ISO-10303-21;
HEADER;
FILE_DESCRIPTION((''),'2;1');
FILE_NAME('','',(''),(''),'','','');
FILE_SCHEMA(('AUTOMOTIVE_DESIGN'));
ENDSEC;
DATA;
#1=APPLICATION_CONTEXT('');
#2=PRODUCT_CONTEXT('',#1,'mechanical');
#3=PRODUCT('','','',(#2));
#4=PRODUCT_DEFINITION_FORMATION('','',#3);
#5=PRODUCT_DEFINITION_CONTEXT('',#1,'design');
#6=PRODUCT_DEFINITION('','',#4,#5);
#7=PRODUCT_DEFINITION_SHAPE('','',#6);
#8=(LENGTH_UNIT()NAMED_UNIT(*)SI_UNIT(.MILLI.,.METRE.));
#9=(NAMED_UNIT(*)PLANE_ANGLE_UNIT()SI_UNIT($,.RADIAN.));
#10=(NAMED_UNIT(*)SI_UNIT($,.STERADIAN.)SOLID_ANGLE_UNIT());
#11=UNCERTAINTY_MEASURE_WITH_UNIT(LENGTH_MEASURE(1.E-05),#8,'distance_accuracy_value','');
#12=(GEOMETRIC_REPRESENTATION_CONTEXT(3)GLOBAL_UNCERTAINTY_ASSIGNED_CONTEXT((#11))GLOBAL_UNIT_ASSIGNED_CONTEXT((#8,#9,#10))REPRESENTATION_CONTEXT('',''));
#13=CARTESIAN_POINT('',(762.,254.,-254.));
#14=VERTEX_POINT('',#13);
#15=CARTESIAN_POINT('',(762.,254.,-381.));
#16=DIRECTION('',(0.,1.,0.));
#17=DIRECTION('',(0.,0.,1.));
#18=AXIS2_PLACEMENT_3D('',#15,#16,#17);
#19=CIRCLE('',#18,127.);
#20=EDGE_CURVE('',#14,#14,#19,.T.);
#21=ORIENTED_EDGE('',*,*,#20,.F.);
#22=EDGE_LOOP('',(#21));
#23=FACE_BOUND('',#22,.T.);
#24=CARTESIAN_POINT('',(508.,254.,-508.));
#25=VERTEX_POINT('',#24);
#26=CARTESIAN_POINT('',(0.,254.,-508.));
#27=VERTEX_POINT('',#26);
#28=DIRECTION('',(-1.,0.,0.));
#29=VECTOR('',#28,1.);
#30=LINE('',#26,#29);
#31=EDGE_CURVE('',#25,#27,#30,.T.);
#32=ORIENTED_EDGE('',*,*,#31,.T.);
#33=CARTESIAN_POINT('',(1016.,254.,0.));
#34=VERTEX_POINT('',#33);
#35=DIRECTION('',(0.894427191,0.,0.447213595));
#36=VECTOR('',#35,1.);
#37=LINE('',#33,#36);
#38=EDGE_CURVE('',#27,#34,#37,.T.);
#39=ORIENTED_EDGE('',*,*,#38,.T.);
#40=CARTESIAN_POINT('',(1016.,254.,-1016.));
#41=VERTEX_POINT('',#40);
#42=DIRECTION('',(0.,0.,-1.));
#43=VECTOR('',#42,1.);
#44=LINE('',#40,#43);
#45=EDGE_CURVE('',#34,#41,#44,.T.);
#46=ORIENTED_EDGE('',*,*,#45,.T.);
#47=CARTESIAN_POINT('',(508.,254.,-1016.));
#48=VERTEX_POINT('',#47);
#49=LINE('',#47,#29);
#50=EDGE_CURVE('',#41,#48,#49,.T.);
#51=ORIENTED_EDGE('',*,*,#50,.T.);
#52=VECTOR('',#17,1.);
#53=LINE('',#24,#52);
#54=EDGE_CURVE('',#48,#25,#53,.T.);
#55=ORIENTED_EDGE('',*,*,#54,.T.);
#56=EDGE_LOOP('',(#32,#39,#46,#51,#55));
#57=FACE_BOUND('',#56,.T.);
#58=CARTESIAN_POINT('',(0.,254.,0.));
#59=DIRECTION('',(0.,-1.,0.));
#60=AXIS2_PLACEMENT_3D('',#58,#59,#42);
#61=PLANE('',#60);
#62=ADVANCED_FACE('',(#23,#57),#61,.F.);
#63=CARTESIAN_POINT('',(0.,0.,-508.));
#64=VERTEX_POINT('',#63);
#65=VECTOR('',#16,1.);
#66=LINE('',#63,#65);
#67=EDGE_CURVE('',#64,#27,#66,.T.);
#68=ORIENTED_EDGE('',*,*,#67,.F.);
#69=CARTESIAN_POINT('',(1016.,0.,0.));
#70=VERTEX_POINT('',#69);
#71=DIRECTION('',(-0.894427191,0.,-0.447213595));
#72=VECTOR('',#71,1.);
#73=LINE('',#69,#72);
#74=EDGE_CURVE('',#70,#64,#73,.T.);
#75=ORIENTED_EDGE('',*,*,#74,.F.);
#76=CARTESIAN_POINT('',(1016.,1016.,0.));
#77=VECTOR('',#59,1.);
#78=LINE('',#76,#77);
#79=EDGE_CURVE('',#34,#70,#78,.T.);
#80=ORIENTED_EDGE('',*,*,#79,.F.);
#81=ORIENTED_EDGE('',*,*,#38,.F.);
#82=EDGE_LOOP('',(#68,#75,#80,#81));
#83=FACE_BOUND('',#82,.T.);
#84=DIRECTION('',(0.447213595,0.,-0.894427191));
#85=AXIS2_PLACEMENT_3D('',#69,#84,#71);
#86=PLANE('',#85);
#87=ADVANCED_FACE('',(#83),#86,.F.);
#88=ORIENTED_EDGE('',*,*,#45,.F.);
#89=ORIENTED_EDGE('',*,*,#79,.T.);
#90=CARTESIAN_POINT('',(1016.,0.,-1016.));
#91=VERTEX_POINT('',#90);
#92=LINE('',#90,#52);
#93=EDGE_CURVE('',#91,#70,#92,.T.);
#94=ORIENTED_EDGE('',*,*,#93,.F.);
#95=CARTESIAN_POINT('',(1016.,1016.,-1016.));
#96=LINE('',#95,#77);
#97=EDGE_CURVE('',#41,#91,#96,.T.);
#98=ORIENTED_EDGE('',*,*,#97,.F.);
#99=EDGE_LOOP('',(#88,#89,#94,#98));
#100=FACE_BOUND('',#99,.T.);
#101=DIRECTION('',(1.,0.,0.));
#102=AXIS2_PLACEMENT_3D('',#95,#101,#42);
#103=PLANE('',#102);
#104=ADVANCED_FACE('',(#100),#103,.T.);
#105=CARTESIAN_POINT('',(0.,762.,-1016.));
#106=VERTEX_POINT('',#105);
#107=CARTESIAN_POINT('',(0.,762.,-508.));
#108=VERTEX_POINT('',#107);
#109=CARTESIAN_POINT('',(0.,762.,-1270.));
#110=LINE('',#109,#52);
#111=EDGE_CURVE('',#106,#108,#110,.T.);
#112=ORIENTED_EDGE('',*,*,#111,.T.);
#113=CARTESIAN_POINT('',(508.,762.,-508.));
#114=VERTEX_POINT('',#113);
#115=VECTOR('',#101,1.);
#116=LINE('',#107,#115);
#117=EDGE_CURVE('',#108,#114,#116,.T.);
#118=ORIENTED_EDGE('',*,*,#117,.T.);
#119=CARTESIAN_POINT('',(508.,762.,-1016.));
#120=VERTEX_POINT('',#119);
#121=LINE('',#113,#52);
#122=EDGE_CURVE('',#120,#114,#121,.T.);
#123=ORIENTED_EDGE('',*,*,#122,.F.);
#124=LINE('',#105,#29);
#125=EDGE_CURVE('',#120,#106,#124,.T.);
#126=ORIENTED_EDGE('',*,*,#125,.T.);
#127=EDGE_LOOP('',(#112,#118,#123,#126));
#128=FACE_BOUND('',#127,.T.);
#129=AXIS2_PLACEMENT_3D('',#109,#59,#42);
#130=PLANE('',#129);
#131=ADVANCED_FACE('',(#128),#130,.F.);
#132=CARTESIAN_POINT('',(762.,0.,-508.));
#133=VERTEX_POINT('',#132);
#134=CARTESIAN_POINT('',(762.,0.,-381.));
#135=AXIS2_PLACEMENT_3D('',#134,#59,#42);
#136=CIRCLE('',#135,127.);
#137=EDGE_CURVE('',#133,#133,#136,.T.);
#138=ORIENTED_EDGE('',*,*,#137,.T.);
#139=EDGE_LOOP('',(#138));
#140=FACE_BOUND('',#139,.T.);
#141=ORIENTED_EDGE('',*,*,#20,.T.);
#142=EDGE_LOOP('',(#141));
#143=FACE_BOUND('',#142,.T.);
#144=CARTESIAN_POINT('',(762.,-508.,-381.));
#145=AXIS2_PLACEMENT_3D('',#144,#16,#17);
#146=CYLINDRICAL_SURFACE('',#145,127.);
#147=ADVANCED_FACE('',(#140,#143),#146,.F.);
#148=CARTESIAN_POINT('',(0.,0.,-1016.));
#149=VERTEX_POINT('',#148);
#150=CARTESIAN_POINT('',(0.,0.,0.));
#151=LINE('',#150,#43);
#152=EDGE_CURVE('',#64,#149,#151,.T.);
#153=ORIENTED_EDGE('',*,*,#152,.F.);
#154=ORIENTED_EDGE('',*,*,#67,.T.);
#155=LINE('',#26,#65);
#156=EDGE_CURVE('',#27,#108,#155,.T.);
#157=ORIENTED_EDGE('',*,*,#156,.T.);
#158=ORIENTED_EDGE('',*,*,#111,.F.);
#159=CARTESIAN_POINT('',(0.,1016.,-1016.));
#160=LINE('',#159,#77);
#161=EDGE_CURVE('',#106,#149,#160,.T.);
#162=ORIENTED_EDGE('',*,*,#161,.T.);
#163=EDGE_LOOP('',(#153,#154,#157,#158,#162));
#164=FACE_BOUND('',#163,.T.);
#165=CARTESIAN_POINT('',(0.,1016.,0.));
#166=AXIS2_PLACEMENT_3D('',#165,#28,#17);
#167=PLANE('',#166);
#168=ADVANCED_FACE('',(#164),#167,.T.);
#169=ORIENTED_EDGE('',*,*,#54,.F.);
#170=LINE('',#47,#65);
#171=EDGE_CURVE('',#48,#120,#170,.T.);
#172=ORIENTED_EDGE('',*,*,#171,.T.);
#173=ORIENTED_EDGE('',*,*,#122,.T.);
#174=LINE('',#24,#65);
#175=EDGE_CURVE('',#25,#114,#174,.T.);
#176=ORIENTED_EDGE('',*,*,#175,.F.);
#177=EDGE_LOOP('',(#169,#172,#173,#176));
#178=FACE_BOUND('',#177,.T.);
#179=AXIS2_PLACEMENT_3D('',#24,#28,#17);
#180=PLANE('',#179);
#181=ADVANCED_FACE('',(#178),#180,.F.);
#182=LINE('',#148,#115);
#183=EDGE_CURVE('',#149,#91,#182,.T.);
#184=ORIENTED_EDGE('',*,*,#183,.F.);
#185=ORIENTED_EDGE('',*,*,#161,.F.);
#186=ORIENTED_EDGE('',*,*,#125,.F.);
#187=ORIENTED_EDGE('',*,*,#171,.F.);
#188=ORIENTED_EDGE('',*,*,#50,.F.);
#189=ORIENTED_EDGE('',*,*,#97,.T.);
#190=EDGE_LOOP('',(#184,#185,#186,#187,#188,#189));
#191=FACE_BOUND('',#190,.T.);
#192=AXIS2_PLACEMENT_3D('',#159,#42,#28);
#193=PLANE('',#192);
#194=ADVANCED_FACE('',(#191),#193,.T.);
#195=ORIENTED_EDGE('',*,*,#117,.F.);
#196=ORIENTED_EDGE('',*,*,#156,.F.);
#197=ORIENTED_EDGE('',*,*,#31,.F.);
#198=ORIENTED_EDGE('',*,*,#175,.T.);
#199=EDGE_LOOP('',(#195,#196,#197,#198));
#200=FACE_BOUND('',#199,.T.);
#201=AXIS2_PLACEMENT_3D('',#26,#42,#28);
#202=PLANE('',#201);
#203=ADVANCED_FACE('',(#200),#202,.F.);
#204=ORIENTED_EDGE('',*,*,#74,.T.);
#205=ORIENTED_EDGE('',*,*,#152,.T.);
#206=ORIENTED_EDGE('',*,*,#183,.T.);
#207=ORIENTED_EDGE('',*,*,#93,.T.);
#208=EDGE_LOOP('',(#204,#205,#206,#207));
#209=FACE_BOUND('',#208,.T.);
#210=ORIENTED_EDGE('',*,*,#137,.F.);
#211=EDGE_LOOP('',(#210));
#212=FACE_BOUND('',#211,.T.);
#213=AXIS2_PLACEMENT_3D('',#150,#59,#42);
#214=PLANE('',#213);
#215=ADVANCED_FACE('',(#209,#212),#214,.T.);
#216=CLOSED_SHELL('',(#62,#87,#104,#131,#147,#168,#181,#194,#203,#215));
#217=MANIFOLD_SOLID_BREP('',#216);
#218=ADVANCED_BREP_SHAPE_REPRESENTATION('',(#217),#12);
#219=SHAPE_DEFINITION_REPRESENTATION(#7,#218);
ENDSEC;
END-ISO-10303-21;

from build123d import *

# Parameters (mm, degrees)
SKETCH1_W           = 1016
SKETCH1_H           = 1016
BOSS_EXTRUDE1_DEPTH = 1016
CUT_EXTRUDE1_DEPTH  = 1016
CUT_EXTRUDE2_DEPTH  = 762
SKETCH4_W           = 508
SKETCH4_H           = 254
CUT_EXTRUDE3_DEPTH  = 762
SKETCH5_R           = 127
CUT_EXTRUDE4_DEPTH  = 762


with BuildPart() as part:
    # Sketch1 → Boss-Extrude1 (new body)
    with BuildSketch(Plane(origin=(0, 0, 0), x_dir=(1, 0, 0), z_dir=(0, 1, 0))):
        with Locations((508, 508)):
            Rectangle(SKETCH1_W, SKETCH1_H)
    extrude(amount=BOSS_EXTRUDE1_DEPTH)

    # Sketch2 → Cut-Extrude1 (cut)
    with BuildSketch(Plane(origin=(0, 1016, 0), x_dir=(1, 0, 0), z_dir=(0, 1, 0))):
        Polygon((0, 0), (1016, 0), (0, 508), align=None)
    extrude(amount=-CUT_EXTRUDE1_DEPTH, mode=Mode.SUBTRACT)

    # Sketch3 → Cut-Extrude2 (cut)
    with BuildSketch(Plane(origin=(0, 1016, 0), x_dir=(1, 0, 0), z_dir=(0, 1, 0))):
        Polygon((0, 508), (508, 508), (508, 1016), (1016, 1016), (1016, 0), align=None)
    extrude(amount=-CUT_EXTRUDE2_DEPTH, mode=Mode.SUBTRACT)

    # Sketch4 → Cut-Extrude3 (cut)
    with BuildSketch(Plane.XY.offset(-508)):
        with Locations((254, 889)):
            Rectangle(SKETCH4_W, SKETCH4_H)
    extrude(amount=-CUT_EXTRUDE3_DEPTH, mode=Mode.SUBTRACT)

    # Sketch5 → Cut-Extrude4 (cut)
    with BuildSketch(Plane(origin=(0, 254, 0), x_dir=(1, 0, 0), z_dir=(0, 1, 0))):
        with Locations(Location((762, 381, 0), (0, 0, 270))):
            Circle(SKETCH5_R)
    extrude(amount=-CUT_EXTRUDE4_DEPTH, mode=Mode.SUBTRACT)


solid = part.part
